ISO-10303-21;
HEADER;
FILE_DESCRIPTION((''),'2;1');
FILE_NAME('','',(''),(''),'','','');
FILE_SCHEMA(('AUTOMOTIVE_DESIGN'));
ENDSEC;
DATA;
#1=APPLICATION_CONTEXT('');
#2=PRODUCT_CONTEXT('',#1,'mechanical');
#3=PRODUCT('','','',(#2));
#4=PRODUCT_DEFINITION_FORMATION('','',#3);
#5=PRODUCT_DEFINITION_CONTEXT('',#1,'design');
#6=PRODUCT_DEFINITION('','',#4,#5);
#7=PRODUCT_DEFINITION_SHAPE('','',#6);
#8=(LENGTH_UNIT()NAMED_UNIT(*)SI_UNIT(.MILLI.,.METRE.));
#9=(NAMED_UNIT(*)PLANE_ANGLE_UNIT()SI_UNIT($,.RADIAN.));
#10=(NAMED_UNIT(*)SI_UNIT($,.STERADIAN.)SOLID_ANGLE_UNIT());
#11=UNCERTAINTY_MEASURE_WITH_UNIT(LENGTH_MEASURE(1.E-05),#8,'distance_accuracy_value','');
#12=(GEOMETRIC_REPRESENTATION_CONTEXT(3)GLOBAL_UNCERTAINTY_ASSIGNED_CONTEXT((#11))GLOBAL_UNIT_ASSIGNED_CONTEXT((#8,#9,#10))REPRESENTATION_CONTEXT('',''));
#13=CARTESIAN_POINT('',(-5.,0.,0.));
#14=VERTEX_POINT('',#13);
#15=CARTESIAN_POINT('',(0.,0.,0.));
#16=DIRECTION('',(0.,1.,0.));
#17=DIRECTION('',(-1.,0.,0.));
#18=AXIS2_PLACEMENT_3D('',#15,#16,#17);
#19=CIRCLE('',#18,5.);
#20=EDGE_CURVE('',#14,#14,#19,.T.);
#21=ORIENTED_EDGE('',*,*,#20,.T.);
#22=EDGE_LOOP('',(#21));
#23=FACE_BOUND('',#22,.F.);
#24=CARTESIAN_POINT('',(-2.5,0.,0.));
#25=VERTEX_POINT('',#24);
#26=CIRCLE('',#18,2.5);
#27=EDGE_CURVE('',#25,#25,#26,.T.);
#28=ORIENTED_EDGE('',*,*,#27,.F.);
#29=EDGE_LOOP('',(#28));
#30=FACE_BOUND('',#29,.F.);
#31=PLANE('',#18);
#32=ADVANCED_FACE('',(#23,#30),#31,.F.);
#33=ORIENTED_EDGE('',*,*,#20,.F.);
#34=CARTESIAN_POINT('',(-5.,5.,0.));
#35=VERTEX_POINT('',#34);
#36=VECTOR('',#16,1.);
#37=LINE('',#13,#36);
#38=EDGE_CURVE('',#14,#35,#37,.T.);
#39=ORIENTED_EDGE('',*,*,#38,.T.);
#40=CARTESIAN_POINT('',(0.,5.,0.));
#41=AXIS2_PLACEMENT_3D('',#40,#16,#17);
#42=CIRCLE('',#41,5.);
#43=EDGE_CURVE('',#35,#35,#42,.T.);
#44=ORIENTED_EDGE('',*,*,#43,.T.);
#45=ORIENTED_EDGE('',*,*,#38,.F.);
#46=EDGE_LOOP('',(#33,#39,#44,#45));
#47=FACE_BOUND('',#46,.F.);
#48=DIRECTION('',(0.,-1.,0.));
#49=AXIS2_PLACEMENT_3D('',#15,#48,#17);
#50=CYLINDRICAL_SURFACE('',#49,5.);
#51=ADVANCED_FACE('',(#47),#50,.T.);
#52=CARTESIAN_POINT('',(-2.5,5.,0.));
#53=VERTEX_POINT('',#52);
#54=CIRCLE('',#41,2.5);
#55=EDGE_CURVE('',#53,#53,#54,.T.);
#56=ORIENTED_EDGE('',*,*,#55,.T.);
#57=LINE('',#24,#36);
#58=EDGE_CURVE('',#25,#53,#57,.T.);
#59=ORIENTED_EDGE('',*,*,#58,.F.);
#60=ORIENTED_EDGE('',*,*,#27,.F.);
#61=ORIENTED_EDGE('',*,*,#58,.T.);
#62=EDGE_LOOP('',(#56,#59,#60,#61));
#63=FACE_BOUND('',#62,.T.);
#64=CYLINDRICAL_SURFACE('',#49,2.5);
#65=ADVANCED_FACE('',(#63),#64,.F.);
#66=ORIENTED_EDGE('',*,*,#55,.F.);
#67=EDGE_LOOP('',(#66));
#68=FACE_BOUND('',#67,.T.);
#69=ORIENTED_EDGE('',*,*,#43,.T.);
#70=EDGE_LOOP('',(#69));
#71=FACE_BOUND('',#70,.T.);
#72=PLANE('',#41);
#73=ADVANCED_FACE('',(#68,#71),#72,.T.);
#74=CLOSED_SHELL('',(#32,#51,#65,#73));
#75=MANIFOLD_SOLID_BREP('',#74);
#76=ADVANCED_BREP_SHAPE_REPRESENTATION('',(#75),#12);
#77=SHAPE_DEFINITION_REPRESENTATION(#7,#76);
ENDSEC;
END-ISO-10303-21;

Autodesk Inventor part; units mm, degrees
ref_plane "YZ Plane" through (0, 0, 0) normal (1, 0, 0) x (0, 1, 0)
ref_plane "XZ Plane" through (0, 0, 0) normal (0, 1, 0) x (-1, 0, 0)
ref_plane "XY Plane" through (0, 0, 0) normal (0, 0, 1) x (1, 0, 0)
sketch "Эскиз1" plane through (0, 0, 0) normal (0, 1, 0) x (-1, 0, 0)
  circle A0 centre (0, 0) radius 5
  circle A1 centre (0, 0) radius 2.5
  dimension "d0" = 5
  dimension "d1" = 10
extrude "Выдавливание1" add sketch "Эскиз1" along normal blind 5
properties part number "втулка"
